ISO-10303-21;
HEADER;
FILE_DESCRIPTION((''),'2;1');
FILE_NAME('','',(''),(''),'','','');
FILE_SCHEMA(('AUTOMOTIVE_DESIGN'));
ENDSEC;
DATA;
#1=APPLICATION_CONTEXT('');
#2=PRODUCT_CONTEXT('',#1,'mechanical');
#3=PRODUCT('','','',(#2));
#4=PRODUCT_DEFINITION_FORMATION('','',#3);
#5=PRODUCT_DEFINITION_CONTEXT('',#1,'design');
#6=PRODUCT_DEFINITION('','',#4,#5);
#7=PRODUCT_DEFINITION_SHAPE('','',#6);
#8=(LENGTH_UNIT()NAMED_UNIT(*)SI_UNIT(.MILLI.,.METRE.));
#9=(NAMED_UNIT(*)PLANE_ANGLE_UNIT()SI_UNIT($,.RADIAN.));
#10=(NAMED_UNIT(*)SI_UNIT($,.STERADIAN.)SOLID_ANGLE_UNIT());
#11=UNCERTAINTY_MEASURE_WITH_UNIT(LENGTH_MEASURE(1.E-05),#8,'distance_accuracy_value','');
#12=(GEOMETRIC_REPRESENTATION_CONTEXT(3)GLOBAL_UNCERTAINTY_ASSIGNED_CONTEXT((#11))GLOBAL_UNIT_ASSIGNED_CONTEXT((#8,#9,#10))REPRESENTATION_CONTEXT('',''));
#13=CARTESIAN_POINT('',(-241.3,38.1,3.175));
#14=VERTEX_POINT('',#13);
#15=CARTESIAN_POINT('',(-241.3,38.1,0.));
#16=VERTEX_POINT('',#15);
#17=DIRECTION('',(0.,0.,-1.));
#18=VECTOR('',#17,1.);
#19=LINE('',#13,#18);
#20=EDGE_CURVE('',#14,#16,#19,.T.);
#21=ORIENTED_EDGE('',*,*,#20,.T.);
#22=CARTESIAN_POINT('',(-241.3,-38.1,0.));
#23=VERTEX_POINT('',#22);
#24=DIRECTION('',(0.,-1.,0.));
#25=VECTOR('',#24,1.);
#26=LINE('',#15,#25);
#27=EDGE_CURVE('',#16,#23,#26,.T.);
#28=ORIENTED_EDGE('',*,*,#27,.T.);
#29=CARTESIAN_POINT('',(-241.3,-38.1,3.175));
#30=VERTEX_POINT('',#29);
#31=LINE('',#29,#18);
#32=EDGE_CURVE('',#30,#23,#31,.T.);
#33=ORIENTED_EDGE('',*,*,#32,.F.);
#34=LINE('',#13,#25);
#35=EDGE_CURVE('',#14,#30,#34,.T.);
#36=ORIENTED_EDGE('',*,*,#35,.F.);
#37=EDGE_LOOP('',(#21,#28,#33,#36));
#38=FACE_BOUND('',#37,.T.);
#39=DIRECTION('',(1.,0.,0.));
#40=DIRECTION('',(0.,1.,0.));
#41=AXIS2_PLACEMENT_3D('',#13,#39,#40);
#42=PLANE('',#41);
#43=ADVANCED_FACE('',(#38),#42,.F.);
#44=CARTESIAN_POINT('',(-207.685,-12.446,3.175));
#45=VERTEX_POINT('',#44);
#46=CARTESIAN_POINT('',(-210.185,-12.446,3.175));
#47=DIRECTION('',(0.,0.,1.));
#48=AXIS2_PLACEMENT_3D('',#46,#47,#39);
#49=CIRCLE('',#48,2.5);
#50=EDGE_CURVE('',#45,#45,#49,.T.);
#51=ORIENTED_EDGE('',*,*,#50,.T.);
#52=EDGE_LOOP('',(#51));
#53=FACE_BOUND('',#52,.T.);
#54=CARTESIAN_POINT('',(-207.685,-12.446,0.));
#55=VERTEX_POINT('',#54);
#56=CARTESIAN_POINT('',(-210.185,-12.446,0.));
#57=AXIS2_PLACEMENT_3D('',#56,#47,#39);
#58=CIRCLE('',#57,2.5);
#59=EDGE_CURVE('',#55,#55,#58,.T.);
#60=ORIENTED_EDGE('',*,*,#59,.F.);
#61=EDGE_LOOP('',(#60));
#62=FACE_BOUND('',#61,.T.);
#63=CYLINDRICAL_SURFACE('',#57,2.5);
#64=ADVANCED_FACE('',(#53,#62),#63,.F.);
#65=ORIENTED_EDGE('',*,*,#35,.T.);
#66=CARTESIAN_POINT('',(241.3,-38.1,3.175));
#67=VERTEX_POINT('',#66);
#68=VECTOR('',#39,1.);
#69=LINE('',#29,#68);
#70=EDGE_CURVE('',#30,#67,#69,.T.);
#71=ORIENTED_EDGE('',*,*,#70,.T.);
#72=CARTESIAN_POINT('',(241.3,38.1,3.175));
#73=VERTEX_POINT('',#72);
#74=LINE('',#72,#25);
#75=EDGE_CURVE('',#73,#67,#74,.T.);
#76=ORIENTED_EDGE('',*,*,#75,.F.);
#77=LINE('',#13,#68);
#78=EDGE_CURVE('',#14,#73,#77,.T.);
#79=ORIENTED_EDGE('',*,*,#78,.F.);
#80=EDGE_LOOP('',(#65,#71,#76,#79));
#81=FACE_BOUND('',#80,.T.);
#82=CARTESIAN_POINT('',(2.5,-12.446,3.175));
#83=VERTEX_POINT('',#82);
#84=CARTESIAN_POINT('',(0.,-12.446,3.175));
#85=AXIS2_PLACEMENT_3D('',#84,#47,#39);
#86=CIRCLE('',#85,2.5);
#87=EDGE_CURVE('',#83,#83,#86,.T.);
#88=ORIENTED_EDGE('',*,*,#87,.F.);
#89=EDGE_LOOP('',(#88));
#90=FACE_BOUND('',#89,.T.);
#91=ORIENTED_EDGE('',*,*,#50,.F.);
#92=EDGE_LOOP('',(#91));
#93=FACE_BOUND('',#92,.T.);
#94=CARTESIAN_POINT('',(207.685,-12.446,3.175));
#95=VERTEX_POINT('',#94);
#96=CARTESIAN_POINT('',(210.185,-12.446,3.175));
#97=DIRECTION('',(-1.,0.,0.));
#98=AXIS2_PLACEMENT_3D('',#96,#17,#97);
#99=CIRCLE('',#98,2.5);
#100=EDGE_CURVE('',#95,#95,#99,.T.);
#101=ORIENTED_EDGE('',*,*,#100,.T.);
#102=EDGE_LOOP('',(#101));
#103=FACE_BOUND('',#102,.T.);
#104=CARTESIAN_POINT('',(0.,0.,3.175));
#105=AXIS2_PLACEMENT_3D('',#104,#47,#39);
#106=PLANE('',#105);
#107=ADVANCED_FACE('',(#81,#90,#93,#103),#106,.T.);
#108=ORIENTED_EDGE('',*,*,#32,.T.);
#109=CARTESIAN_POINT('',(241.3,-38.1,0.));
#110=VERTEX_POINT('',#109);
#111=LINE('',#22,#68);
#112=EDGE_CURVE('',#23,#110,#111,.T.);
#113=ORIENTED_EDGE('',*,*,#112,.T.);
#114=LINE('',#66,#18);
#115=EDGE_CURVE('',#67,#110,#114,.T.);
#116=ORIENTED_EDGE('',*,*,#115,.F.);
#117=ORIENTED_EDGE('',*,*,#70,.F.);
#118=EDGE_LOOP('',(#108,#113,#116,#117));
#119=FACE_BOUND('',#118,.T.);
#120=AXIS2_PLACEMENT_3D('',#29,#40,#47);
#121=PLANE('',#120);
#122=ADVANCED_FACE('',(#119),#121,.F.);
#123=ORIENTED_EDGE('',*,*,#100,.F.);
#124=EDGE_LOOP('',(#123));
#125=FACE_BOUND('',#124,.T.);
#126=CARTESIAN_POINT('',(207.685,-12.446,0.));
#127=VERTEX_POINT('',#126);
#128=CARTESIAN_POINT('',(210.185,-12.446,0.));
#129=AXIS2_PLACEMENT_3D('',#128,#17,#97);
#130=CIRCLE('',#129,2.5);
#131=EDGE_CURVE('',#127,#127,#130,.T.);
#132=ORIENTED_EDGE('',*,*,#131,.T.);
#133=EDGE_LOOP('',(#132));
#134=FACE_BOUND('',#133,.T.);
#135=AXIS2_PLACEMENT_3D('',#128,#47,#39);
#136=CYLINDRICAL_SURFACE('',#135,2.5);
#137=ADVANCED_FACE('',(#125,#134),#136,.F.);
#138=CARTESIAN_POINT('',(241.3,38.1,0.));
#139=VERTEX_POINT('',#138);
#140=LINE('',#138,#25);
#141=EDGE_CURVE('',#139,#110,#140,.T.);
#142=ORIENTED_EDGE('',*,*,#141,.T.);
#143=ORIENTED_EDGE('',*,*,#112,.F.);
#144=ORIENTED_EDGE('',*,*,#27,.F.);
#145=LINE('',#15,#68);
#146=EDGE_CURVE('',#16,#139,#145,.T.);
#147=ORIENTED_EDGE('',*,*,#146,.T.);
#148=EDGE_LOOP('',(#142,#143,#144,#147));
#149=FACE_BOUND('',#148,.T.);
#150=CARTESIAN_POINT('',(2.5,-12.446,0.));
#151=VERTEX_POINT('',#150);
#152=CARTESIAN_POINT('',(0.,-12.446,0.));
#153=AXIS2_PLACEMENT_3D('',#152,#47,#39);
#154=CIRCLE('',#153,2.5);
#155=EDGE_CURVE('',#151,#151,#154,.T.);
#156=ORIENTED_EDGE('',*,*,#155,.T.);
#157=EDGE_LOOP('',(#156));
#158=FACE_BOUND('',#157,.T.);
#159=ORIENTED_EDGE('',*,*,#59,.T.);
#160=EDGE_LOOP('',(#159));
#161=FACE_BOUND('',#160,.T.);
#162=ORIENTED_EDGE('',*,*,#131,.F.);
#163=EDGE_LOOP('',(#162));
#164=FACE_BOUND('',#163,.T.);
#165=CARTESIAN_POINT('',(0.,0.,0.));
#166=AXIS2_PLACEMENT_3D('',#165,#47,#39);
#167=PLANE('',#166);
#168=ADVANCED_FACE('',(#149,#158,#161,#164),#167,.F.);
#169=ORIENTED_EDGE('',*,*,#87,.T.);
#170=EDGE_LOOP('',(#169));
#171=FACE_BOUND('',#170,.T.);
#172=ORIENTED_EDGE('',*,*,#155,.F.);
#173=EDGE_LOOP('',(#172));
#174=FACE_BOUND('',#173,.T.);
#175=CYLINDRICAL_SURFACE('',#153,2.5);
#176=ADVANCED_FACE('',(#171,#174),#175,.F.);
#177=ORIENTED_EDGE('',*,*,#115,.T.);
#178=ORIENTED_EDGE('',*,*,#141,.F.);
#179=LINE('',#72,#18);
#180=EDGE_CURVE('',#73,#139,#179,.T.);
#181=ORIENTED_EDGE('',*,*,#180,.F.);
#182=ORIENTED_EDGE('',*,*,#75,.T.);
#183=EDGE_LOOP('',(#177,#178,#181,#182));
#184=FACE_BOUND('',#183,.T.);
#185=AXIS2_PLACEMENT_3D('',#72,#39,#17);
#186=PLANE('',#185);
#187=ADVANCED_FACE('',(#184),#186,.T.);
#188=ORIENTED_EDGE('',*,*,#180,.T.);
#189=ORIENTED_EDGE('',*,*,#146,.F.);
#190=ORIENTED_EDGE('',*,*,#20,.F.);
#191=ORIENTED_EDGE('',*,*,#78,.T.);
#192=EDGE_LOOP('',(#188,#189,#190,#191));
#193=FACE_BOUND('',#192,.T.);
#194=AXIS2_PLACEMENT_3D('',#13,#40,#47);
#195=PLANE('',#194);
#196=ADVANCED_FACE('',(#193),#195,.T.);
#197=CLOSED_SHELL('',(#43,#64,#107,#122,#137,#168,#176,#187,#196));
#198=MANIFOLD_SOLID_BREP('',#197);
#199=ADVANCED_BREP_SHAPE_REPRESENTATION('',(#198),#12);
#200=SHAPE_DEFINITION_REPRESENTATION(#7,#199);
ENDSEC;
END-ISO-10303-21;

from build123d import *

# Parameters (mm, degrees)
SKETCH1_W           = 482.6
SKETCH1_H           = 76.2
BOSS_EXTRUDE1_DEPTH = 3.175
SKETCH2_R           = 2.5
CUT_EXTRUDE1_DEPTH  = 245.310009261


with BuildPart() as part:
    # Sketch1 → Boss-Extrude1 (new body)
    with BuildSketch(Plane.XY):
        Rectangle(SKETCH1_W, SKETCH1_H)
    extrude(amount=BOSS_EXTRUDE1_DEPTH)

    # Sketch2 → Cut-Extrude1 (cut, through all)
    with BuildSketch(Plane.XY.offset(3.175)):
        with Locations((-210.185, -12.446)):
            Circle(SKETCH2_R)
        with Locations(Location((210.185, -12.446, 0), (0, 0, 180))):
            Circle(SKETCH2_R)
        with Locations((0, -12.446)):
            Circle(SKETCH2_R)
    extrude(amount=-CUT_EXTRUDE1_DEPTH, mode=Mode.SUBTRACT)


solid = part.part
